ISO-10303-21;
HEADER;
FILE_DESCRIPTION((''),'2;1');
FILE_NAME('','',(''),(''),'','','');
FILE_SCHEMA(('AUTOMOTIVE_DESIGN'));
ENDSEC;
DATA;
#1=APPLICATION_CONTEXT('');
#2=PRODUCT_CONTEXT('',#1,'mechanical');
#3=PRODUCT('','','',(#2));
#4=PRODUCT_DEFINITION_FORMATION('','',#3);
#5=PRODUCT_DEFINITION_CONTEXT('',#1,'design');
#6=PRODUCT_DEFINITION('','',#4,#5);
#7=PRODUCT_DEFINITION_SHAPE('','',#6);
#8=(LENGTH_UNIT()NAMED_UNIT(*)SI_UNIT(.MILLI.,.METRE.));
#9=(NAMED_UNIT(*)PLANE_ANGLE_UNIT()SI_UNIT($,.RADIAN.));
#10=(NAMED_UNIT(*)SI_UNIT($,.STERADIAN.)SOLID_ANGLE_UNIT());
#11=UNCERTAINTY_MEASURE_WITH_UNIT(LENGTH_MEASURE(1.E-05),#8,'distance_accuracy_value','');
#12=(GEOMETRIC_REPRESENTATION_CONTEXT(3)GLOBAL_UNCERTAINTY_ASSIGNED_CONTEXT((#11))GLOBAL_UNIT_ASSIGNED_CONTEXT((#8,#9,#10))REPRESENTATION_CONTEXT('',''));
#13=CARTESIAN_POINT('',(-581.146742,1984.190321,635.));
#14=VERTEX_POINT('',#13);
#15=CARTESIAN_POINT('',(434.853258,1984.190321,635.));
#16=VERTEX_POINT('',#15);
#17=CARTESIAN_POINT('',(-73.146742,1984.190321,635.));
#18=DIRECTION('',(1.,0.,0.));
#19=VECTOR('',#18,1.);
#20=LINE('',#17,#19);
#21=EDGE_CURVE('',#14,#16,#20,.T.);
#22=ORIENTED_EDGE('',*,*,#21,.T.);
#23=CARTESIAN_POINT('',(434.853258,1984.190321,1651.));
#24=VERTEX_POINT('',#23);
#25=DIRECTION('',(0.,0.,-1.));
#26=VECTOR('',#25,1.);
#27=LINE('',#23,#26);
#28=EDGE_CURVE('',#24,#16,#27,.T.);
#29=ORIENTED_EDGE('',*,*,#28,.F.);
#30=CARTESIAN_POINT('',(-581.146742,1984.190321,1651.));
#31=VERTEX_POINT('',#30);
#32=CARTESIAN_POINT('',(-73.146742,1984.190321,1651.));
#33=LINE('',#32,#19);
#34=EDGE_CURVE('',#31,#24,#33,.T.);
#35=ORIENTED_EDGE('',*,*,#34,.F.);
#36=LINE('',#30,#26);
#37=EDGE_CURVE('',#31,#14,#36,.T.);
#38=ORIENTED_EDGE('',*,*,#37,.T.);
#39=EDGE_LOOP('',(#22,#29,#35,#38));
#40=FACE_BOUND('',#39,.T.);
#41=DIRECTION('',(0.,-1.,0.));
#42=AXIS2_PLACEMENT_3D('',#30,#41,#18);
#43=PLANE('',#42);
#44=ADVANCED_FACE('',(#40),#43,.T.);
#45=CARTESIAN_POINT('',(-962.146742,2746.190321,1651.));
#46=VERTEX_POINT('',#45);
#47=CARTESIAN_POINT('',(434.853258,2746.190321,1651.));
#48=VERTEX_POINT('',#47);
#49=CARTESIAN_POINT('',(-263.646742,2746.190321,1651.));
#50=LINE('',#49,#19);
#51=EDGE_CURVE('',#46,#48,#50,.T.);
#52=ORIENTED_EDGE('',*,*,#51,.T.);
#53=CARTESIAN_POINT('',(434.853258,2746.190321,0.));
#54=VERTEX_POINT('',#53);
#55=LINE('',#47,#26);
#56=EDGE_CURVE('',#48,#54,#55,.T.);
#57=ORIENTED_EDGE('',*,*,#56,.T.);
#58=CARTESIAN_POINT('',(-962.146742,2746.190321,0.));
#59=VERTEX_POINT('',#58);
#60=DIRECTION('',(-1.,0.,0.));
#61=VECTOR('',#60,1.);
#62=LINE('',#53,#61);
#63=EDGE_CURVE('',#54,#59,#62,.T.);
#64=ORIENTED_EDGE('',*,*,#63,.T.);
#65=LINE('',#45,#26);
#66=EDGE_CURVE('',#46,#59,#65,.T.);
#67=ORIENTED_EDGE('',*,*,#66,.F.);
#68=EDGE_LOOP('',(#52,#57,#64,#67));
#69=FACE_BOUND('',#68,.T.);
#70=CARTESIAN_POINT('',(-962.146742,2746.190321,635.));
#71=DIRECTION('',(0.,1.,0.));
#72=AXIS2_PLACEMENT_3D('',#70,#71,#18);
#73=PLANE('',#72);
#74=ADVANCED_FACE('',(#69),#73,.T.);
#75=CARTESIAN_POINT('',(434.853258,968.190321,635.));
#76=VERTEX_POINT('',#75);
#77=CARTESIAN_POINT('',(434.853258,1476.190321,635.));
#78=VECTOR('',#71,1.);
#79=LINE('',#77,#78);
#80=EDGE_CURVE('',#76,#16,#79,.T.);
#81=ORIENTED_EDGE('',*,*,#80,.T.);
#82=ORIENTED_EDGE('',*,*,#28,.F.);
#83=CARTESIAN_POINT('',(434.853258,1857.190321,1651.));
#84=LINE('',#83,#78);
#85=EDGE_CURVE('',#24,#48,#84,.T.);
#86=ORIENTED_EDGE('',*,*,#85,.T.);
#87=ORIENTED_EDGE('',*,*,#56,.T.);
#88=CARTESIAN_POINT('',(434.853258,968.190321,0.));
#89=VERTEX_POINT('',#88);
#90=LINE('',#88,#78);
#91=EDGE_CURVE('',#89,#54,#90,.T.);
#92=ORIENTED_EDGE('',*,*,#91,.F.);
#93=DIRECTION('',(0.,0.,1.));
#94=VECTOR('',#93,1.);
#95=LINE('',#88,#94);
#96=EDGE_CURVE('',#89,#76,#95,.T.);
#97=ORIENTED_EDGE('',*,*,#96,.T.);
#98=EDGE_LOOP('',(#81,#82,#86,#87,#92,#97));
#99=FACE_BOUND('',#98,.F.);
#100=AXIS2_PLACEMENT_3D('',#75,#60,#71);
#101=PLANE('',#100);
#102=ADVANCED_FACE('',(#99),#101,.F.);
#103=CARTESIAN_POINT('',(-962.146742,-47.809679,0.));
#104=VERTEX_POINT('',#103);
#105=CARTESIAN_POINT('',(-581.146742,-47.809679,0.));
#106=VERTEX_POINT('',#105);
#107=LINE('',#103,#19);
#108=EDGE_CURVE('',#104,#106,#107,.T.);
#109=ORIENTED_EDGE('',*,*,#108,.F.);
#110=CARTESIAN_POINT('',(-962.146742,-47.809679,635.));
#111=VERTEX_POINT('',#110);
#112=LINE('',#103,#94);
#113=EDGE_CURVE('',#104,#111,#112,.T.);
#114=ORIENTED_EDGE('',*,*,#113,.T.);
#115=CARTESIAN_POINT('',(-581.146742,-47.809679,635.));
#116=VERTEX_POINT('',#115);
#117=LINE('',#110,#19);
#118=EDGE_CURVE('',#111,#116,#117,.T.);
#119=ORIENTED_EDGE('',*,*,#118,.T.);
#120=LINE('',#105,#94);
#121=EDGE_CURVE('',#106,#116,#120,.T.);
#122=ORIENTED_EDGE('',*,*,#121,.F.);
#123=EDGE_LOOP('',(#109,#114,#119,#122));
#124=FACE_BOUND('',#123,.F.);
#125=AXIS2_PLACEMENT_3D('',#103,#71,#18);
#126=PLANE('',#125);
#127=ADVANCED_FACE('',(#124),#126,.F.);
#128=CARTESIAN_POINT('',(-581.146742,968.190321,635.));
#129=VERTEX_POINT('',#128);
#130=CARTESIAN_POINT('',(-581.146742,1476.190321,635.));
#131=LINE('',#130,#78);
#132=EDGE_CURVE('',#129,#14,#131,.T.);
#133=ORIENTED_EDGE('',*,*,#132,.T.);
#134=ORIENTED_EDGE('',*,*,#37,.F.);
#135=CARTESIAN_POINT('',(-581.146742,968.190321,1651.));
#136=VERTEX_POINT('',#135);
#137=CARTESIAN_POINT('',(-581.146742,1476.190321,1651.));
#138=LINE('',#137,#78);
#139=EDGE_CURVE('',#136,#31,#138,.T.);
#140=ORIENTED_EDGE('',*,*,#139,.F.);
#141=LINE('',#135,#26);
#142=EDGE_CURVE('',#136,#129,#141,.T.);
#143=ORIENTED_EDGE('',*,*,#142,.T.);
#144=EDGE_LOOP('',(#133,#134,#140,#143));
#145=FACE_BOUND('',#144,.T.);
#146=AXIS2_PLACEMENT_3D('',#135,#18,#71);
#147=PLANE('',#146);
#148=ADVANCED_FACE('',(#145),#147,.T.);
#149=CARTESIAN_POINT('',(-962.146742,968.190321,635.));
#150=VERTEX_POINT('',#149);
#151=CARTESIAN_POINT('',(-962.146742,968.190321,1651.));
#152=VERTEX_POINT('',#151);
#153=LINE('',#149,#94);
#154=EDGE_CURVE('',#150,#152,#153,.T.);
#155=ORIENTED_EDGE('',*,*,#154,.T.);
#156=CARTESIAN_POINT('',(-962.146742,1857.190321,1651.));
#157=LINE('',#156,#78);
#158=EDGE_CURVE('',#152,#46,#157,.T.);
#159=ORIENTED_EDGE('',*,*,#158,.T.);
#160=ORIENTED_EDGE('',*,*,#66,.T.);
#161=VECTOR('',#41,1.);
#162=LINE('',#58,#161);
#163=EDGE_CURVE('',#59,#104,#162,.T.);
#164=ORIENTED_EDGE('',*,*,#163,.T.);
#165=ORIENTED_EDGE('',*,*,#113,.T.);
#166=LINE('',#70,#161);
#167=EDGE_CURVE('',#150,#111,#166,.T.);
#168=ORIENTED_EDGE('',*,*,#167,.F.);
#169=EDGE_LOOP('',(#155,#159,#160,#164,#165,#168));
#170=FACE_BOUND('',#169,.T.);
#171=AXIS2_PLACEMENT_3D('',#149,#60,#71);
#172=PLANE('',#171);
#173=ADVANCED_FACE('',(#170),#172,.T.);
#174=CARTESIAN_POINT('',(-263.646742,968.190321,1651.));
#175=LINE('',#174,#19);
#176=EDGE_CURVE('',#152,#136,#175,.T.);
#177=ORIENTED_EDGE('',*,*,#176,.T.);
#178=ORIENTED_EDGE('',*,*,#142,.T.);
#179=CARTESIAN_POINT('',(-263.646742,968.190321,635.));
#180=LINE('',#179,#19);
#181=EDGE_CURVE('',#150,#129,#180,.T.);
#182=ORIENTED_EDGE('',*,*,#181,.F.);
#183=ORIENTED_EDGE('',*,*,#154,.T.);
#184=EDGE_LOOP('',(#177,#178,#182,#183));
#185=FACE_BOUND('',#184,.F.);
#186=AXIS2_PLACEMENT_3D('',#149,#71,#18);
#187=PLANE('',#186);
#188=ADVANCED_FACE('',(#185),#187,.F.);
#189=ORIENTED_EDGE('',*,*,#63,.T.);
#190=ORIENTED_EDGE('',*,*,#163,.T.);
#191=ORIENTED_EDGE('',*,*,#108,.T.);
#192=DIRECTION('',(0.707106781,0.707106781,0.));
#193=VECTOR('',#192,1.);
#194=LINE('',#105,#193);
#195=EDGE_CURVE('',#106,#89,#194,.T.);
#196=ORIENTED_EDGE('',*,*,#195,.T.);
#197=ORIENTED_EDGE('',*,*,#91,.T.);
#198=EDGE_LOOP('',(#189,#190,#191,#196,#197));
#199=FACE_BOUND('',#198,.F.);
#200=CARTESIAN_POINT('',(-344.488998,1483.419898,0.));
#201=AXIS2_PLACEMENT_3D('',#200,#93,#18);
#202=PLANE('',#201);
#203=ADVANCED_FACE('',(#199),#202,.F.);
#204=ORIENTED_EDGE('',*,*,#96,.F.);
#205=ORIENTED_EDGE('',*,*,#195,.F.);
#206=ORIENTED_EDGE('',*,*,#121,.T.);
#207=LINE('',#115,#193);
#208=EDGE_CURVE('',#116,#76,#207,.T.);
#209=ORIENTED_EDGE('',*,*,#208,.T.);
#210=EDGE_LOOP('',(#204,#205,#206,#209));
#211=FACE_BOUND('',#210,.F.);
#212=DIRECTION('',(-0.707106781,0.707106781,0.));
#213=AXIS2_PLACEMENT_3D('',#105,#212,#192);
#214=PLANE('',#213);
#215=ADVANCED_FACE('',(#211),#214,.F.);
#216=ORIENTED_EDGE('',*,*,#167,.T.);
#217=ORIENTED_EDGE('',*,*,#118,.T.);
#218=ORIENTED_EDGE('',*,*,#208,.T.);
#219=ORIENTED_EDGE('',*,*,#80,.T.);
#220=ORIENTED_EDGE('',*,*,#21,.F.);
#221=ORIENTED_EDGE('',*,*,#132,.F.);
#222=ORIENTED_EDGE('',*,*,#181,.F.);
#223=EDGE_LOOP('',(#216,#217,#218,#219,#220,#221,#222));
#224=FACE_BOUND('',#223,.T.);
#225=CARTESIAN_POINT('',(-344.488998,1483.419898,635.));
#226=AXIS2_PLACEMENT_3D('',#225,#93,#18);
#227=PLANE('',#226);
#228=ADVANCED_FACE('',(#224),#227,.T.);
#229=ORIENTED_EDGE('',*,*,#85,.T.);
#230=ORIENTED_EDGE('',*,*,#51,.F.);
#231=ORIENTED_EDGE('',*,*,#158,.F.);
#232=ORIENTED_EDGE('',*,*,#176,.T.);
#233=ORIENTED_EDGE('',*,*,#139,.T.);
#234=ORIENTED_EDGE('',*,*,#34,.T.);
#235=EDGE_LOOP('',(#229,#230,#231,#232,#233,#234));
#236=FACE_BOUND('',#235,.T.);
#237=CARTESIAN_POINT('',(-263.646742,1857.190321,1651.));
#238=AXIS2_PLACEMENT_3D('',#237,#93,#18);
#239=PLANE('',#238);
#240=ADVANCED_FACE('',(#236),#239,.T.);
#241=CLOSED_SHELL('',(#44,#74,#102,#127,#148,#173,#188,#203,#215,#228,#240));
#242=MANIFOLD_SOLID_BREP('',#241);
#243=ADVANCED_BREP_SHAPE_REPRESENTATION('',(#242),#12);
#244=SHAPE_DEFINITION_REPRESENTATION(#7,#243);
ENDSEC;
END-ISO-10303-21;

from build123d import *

# Parameters (mm, degrees)
F1_DEPTH = 635
F2_W     = 1397
F2_H     = 1778
F3_DEPTH = 1016
F4_W     = 1016
F4_H     = 1016
F5_DEPTH = 1016


with BuildPart() as f1:
    # F0 (on Top) → F1 (new body)
    with BuildSketch(Plane.XY):
        Polygon((434.853258, 2746.190321), (-962.146742, 2746.190321), (-962.146742, -47.809679), (-581.146742, -47.809679), (434.853258, 968.190321), align=None)
    extrude(amount=F1_DEPTH)

    # F2 (on face) → F3 (join)
    with BuildSketch(Plane.XY.offset(635)):
        with Locations((-263.646742, 1857.190321)):
            Rectangle(F2_W, F2_H)
    extrude(amount=F3_DEPTH)

    # F4 (on face) → F5 (cut)
    with BuildSketch(Plane.XY.offset(1651)):
        with Locations((-73.146742, 1476.190321)):
            Rectangle(F4_W, F4_H)
    extrude(amount=-F5_DEPTH, mode=Mode.SUBTRACT)


solid = f1.part
